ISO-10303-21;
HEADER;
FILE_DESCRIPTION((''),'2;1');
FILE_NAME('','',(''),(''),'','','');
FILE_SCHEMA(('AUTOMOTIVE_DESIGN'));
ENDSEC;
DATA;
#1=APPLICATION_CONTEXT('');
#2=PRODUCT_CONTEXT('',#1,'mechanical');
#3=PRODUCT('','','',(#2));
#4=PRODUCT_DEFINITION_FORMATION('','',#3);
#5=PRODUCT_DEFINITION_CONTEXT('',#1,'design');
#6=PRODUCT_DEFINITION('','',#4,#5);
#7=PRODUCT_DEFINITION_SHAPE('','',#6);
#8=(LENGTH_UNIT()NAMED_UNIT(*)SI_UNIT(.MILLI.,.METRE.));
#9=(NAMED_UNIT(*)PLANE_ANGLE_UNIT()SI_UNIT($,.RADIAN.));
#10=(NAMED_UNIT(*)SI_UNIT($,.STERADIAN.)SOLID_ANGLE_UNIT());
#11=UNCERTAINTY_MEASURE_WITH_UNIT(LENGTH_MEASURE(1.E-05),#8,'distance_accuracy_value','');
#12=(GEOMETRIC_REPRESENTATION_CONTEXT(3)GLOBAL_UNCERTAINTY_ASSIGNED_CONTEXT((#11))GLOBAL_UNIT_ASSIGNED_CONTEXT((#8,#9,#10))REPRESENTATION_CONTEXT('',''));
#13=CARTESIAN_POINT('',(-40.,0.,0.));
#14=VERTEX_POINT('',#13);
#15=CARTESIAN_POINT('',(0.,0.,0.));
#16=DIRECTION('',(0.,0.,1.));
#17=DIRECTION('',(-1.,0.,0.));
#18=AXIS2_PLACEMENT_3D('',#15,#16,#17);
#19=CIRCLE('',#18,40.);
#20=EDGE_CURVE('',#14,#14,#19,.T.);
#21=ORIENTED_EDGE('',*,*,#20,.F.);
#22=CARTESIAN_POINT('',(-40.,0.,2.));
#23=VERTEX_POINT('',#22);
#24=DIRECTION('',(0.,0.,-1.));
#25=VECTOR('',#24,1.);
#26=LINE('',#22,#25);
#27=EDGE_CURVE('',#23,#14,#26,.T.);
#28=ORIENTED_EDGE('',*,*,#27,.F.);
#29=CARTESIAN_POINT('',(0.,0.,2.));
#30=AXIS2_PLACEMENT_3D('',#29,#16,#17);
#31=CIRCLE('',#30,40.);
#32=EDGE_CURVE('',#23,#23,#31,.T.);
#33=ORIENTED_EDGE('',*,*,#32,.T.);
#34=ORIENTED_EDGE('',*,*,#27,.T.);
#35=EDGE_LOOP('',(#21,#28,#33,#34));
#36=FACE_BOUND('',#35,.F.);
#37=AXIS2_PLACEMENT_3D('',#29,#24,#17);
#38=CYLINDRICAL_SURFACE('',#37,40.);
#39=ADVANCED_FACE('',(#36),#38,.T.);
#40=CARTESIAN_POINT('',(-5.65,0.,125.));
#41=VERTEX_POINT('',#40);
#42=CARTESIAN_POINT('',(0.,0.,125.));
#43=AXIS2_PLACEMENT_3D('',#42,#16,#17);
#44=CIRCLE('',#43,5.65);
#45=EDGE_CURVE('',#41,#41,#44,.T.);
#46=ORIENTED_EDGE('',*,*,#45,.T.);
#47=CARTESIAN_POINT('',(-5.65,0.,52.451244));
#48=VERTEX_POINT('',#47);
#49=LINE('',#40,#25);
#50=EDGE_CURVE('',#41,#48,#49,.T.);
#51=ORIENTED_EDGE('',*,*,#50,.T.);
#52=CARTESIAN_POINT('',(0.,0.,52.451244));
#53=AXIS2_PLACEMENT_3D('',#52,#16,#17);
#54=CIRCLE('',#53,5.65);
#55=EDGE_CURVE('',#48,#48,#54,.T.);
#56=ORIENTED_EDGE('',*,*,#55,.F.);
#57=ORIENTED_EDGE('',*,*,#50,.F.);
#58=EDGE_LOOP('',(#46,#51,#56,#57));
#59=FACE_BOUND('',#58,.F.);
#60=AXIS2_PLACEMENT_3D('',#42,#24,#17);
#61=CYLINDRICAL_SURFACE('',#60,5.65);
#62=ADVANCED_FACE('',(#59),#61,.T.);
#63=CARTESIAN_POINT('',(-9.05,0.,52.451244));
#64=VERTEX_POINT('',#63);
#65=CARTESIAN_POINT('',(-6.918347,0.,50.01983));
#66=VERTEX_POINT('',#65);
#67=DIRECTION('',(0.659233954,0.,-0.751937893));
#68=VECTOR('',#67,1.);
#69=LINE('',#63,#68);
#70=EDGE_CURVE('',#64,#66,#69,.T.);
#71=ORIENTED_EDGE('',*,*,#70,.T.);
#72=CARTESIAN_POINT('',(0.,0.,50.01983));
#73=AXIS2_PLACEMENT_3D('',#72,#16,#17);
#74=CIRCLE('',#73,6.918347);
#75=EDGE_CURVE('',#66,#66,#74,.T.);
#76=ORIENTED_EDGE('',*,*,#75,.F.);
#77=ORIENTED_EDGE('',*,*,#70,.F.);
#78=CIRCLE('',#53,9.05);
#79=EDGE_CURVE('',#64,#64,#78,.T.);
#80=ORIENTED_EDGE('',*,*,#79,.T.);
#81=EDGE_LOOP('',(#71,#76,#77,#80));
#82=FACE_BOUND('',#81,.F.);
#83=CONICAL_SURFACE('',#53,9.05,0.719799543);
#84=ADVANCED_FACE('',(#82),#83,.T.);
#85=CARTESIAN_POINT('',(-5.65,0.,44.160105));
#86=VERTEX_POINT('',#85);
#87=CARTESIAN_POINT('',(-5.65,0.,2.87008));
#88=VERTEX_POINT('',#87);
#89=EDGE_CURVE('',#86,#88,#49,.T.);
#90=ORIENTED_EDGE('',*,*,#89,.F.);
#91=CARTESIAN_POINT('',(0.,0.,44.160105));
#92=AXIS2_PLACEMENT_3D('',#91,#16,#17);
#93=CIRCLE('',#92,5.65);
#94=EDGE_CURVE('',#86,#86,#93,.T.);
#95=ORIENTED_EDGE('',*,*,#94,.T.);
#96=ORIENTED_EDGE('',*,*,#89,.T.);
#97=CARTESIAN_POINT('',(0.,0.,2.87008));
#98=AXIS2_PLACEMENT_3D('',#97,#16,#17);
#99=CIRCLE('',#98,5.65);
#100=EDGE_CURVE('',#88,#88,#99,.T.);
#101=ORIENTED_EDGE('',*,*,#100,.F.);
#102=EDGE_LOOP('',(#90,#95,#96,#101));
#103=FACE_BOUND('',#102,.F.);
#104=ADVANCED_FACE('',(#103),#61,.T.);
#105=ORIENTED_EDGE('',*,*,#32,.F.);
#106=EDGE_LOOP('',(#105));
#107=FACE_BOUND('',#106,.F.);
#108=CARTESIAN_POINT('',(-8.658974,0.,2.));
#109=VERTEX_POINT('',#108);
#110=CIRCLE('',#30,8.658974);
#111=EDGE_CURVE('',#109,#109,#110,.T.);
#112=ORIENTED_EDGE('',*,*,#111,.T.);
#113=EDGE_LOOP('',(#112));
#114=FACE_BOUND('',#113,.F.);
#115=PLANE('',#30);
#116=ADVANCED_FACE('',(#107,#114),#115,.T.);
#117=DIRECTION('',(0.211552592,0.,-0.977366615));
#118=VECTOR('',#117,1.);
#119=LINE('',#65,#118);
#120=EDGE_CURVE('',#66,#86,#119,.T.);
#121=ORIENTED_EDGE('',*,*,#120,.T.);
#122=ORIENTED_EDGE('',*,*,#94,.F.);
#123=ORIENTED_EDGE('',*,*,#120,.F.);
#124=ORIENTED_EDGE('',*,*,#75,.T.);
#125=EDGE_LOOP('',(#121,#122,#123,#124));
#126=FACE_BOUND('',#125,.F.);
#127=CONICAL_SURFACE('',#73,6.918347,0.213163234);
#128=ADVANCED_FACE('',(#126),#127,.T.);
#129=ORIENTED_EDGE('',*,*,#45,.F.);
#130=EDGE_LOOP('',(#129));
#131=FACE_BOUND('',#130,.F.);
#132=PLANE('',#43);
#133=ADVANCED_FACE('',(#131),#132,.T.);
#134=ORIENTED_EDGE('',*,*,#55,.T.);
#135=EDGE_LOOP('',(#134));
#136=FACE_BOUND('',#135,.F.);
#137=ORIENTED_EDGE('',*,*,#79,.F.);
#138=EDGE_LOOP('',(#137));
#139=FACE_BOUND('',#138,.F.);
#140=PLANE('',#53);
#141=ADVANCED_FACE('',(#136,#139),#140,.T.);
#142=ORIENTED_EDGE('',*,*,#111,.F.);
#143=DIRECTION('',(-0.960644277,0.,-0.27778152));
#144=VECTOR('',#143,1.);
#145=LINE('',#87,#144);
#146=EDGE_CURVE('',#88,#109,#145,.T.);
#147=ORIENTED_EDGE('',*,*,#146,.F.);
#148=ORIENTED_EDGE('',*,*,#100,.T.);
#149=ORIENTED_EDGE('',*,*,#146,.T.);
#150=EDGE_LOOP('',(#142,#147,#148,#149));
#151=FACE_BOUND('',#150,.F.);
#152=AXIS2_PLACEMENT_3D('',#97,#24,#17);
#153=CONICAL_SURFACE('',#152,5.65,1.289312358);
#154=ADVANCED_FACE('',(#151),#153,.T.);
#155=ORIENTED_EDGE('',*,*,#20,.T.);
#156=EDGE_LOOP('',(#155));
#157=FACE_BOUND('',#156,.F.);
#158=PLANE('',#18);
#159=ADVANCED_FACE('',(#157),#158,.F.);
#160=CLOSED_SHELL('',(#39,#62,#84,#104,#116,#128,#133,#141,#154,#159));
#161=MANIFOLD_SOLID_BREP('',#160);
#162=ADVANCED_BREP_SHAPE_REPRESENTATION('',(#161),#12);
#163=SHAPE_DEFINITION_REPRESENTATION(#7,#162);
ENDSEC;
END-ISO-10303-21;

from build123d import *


with BuildPart() as f1:
    # F0 (on Front) → F1 (revolve)
    with BuildSketch(Plane.XZ):
        Polygon((-40, 0), (0, 0), (0, 2), (0, 125), (-5.65, 125), (-5.65, 58.652606), (-5.65, 52.451244), (-5.65, 44.160105), (-5.65, 2.87008), (-8.658974, 2), (-19.77366, 2), (-40, 2), align=None)
        Polygon((-5.65, 44.160105), (-5.65, 52.451244), (-9.05, 52.451244), (-6.918347, 50.01983), align=None)
    revolve(axis=Axis((0, 0, 63.5), (0, 0, 1)))


solid = f1.part
